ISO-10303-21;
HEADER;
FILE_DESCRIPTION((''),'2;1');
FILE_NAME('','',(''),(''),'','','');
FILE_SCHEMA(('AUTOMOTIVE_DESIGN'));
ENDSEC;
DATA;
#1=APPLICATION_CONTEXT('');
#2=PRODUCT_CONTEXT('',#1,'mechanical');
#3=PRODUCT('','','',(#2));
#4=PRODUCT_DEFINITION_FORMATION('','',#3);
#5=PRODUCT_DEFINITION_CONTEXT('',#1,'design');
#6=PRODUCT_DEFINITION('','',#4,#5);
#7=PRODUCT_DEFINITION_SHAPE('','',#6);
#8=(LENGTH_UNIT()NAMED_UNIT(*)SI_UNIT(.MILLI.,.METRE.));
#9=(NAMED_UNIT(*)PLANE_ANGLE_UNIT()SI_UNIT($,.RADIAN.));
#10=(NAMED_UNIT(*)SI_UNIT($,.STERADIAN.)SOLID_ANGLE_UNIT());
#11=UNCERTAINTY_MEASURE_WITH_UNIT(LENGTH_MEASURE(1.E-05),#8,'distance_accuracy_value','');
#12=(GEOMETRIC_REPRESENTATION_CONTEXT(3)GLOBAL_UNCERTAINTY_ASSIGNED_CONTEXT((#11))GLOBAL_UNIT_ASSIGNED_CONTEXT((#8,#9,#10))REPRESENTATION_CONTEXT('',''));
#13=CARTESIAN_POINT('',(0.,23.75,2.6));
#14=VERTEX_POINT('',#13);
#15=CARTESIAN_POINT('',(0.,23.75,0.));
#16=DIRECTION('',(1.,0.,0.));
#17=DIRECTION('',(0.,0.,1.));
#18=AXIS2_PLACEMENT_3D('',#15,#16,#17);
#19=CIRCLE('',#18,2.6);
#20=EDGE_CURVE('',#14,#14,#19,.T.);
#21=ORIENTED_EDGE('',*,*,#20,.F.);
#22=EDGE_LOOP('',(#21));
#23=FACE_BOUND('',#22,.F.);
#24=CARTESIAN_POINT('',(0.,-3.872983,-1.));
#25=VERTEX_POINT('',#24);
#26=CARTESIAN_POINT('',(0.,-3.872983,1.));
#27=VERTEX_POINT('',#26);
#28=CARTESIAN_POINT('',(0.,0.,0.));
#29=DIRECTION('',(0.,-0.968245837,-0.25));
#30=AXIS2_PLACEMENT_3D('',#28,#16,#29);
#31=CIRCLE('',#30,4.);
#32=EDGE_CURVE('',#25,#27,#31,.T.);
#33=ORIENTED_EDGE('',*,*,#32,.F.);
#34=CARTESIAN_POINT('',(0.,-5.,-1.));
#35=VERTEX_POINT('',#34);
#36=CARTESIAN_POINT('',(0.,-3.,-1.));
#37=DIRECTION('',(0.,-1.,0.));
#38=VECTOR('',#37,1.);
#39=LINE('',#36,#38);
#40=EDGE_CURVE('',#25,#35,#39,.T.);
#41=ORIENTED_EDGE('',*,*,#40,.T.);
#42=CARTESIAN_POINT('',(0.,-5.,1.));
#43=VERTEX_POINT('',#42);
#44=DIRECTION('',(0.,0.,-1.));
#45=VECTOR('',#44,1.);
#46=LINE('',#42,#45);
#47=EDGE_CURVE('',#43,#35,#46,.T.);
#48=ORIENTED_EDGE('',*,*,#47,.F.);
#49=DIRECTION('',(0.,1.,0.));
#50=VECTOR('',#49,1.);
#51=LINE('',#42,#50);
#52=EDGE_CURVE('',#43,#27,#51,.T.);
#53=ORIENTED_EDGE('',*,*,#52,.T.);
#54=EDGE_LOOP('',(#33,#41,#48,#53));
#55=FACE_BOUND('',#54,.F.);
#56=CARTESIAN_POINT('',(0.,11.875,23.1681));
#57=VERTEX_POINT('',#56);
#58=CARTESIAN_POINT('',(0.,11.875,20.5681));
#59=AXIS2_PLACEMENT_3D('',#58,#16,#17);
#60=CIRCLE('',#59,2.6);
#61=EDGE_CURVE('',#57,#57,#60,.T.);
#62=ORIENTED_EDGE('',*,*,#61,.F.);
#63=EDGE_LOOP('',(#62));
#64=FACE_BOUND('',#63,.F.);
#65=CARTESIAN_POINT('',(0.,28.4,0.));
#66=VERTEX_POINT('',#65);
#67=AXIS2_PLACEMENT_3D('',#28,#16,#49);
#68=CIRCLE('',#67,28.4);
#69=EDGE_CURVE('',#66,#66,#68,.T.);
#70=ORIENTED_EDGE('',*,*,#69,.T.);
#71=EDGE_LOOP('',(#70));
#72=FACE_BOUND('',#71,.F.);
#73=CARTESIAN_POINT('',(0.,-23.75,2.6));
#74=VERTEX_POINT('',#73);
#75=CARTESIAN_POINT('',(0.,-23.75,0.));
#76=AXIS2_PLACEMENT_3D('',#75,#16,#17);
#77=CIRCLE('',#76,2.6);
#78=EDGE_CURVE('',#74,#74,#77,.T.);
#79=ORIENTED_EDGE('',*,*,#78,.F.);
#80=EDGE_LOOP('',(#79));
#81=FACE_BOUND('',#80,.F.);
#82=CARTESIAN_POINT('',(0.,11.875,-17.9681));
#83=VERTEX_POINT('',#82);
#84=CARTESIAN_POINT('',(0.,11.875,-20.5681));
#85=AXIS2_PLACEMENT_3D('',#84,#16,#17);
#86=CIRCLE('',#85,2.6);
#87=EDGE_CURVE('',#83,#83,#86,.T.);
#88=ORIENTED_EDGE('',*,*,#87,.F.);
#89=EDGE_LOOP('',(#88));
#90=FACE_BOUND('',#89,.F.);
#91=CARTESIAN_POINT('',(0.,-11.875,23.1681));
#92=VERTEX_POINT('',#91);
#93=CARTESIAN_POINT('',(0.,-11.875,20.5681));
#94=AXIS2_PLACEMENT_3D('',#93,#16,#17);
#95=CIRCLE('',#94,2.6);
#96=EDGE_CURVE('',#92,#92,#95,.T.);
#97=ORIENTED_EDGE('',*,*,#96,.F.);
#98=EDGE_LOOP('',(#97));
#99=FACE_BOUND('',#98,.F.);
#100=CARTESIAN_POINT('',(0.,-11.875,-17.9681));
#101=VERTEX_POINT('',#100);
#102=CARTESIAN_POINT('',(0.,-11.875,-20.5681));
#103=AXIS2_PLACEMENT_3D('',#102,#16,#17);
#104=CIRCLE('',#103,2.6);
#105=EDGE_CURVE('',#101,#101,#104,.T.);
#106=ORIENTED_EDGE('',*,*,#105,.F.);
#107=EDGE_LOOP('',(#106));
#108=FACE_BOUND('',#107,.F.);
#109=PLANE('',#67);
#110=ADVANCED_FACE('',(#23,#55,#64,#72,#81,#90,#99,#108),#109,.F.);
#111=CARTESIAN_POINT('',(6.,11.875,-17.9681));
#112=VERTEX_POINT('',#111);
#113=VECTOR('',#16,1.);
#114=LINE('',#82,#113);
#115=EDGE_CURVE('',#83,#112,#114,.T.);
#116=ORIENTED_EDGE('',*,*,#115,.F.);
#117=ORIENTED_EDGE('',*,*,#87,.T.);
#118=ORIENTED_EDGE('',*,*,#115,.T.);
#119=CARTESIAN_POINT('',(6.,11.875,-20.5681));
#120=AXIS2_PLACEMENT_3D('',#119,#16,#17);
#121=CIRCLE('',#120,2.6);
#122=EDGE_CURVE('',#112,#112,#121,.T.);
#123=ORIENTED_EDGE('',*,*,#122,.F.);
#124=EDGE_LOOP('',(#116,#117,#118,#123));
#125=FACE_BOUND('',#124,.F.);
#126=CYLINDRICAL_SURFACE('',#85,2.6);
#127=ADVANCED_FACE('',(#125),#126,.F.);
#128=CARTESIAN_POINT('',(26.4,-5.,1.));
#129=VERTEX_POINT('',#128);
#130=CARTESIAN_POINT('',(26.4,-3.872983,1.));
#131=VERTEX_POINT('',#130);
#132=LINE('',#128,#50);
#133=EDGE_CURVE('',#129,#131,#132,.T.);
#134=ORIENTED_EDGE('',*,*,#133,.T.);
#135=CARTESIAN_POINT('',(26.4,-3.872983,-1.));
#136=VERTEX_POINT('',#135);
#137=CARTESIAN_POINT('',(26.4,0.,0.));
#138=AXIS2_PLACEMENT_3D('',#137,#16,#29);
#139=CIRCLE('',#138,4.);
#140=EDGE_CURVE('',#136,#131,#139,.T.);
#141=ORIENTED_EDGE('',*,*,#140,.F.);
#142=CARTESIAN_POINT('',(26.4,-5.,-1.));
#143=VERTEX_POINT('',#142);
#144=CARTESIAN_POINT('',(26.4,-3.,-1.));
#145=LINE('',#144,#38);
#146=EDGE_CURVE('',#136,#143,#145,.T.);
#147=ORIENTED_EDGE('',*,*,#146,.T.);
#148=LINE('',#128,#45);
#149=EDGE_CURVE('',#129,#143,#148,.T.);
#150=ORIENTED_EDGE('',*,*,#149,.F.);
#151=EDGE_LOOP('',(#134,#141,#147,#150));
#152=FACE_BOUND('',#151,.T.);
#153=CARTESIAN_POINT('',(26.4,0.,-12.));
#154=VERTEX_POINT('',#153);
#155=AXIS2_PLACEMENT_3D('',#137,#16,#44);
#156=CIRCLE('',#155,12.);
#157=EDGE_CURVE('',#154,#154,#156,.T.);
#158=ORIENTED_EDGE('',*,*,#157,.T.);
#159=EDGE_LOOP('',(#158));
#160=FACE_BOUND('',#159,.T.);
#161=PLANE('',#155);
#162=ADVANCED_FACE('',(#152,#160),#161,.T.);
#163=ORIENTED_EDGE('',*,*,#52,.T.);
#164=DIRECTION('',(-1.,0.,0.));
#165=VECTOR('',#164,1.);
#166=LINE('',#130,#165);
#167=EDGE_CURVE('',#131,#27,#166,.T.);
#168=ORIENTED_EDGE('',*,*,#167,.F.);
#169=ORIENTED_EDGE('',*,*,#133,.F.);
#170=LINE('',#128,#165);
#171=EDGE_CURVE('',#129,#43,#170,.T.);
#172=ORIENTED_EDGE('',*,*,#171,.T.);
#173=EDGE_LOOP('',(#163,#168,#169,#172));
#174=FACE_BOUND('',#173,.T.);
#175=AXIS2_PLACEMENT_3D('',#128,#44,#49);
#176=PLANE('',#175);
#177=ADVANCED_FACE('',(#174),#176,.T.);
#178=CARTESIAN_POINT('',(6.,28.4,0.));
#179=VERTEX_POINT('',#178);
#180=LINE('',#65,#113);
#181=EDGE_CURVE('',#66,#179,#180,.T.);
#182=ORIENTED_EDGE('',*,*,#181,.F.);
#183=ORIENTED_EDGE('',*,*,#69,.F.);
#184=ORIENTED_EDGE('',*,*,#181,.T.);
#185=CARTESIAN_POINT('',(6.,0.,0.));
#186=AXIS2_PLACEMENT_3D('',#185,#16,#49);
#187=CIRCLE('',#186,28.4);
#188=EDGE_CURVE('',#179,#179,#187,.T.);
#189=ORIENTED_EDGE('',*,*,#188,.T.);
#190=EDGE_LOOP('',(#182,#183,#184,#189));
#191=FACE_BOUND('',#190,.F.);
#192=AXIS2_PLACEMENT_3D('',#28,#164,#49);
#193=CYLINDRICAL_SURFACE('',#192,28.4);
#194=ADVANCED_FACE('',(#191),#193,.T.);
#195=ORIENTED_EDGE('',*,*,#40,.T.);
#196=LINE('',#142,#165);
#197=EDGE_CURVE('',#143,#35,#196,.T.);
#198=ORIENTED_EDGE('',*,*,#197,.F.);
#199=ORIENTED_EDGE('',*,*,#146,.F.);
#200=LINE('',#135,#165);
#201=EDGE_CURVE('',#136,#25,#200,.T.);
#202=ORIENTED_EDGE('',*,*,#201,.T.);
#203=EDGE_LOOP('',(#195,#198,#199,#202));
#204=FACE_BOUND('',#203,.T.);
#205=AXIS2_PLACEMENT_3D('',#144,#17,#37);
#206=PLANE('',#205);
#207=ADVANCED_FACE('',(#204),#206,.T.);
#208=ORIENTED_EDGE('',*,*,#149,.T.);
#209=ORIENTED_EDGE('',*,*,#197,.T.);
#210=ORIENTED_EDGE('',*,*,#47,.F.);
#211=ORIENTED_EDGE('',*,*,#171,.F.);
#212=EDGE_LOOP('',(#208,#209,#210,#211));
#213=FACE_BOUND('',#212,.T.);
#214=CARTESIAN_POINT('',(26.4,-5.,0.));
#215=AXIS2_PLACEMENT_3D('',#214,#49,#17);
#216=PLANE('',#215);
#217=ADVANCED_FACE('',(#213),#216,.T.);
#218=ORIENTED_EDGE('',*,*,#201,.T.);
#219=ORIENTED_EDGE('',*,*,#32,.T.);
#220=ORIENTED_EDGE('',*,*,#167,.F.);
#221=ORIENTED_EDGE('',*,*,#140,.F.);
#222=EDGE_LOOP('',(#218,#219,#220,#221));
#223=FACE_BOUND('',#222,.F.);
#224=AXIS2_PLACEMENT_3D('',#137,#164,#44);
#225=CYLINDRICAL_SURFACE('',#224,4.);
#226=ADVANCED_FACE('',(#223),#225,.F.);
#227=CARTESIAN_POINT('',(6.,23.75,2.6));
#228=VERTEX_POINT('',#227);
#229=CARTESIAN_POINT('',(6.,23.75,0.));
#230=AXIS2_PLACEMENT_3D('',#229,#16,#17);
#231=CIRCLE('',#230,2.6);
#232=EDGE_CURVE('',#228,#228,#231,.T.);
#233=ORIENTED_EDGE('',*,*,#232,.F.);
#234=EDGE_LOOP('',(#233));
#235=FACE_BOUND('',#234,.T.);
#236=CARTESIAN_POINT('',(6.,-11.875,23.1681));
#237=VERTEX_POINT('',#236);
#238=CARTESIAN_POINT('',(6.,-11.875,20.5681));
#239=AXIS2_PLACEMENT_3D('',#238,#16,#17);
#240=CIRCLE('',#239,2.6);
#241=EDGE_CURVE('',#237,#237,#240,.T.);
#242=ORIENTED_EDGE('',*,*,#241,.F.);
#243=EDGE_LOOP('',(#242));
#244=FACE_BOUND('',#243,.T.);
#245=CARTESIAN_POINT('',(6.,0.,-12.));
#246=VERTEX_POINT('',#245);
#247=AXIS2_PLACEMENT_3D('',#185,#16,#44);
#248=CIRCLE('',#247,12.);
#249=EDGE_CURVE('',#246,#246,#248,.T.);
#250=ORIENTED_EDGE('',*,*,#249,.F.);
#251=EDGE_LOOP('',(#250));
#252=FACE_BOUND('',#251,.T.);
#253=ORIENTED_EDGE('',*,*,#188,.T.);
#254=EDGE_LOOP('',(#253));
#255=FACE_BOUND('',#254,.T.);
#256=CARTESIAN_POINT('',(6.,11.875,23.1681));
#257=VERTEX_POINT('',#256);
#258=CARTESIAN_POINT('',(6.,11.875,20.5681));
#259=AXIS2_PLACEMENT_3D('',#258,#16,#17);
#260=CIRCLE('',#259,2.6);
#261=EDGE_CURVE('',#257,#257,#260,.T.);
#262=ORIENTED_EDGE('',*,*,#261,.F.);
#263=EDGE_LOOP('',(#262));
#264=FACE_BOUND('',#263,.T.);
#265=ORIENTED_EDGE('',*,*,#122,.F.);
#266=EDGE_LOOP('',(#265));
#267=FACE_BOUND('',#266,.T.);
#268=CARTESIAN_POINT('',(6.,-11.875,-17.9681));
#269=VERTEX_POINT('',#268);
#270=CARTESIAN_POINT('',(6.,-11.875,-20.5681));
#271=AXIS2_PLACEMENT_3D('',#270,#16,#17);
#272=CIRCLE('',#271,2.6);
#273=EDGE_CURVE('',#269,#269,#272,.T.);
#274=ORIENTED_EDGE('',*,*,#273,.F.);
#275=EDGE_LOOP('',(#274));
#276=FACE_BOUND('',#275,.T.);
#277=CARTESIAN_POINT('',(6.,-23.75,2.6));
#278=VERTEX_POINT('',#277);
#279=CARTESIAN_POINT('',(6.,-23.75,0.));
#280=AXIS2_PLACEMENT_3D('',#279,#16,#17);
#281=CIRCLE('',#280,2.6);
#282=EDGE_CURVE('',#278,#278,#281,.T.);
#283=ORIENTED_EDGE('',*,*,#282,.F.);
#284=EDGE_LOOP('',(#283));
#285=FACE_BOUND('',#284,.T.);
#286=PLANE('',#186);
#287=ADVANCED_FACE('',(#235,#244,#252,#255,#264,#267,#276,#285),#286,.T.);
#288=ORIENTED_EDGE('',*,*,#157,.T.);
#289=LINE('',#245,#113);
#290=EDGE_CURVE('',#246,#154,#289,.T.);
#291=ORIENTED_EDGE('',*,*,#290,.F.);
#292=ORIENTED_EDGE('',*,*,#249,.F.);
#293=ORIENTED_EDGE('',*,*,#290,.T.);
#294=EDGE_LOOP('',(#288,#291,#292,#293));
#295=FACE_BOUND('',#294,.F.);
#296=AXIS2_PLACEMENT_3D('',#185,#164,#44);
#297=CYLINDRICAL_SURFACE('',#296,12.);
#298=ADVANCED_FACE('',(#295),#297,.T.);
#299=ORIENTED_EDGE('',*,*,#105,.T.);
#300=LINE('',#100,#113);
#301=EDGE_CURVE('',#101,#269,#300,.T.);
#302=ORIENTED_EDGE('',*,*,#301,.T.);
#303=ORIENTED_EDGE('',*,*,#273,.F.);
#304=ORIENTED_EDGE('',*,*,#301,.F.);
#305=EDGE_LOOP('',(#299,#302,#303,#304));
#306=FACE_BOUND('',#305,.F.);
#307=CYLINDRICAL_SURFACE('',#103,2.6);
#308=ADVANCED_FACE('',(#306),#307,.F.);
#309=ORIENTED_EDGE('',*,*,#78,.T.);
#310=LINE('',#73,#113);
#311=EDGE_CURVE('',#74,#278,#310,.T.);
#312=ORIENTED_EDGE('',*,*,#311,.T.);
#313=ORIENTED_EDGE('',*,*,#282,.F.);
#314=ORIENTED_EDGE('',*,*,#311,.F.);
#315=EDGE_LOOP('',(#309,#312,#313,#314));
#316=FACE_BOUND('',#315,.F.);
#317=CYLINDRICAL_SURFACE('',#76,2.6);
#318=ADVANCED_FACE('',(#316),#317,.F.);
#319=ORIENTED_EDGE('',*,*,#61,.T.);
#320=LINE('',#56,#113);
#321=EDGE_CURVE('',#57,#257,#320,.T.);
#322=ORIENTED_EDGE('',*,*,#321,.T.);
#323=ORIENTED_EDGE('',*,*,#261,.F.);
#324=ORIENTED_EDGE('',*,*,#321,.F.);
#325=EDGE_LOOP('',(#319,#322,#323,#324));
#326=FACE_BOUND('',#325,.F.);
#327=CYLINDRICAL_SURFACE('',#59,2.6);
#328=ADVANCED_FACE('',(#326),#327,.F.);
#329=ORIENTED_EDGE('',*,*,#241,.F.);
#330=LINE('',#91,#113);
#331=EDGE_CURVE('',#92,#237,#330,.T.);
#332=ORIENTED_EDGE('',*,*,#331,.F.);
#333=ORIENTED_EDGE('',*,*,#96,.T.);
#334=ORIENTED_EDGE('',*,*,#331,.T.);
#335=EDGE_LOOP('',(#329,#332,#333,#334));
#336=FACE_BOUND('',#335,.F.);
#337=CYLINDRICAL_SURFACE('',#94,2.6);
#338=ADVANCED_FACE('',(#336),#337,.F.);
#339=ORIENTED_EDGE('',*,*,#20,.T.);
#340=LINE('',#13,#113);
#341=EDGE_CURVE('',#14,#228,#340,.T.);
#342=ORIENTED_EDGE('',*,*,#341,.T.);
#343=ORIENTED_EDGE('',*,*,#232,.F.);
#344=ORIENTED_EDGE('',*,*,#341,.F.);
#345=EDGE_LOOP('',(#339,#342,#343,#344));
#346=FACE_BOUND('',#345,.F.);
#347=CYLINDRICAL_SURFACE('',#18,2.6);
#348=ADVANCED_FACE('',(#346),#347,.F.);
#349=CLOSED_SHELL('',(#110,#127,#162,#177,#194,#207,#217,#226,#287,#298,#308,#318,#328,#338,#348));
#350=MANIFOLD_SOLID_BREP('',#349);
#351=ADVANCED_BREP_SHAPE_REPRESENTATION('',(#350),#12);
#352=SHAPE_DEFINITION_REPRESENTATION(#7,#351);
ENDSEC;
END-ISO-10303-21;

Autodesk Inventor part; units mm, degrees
ref_plane "YZ Plane" through (0, 0, 0) normal (1, 0, 0) x (0, 1, 0)
ref_plane "XZ Plane" through (0, 0, 0) normal (0, 1, 0) x (-1, 0, 0)
ref_plane "XY Plane" through (0, 0, 0) normal (0, 0, 1) x (1, 0, 0)
sketch "スケッチ1" plane through (0, 0, 0) normal (1, 0, 0) x (0, 1, 0)
  point P0 (0, 0)
sketch "スケッチ2" plane through (0, 0, 0) normal (1, 0, 0) x (0, 1, 0)
  circle A0 centre (0, 0) radius 28.4
  dimension "d0" = 56.8
extrude "押し出し1" add sketch "スケッチ2" along normal blind 6
sketch "スケッチ3" plane through (6, 0, 0) normal (1, 0, 0) x (0, 0, -1)
  circle A0 centre (0, 0) radius 12
  dimension "d3" = 24
extrude "押し出し2" add sketch "スケッチ3" along normal blind 20.4
hole "穴2" at (26.4, 0, 0) direction (-1, 0, 0) diameter 8 end through all
sketch "スケッチ6" plane through (26.4, 0, 0) normal (1, 0, 0) x (0, 0, -1)
  line L0 (0, -5) -> (-1, -5)
  line L1 (-1, -5) -> (-1, -3)
  line L2 (-1, -5) -> (1, -5) construction
  line L3 (-1, -3) -> (1, -3)
  line L4 (1, -3) -> (1, -5)
  line L5 (1, -5) -> (0, -5)
  point P0 (0, 0)
  dimension "d32" = 5
  dimension "d33" = 1
  dimension "d35" = 2
  dimension "d36" = 90
  dimension "d37" = 2
  dimension "d38" = 90
  dimension "d39" = 2
  dimension "d40" = 90
extrude "押し出し5" cut sketch "スケッチ6" against normal blind 26.4
sketch "スケッチ7" plane through (0, 0, 0) normal (-1, 0, 0) x (0, 0, 1)
  circle A0 centre (0, 0) radius 23.75
  line L0 (0, -23.75) -> (-20.5681, -11.875)
  line L1 (-20.5681, -11.875) -> (-20.5681, 11.875)
  line L2 (-20.5681, 11.875) -> (0, 23.75)
  line L3 (0, 23.75) -> (20.5681, 11.875)
  line L4 (20.5681, 11.875) -> (20.5681, -11.875)
  line L5 (20.5681, -11.875) -> (0, -23.75)
  dimension "d43" = 47.5
hole "穴3" at (0, 11.875, 20.5681) at (0, 23.75, 0) at (0, -11.875, 20.5681) at (0, -23.75, 0) at (0, -11.875, -20.5681) at (0, 11.875, -20.5681) direction (1, 0, 0) diameter 5.2 end through all
properties part number "10mmkethub18025"
